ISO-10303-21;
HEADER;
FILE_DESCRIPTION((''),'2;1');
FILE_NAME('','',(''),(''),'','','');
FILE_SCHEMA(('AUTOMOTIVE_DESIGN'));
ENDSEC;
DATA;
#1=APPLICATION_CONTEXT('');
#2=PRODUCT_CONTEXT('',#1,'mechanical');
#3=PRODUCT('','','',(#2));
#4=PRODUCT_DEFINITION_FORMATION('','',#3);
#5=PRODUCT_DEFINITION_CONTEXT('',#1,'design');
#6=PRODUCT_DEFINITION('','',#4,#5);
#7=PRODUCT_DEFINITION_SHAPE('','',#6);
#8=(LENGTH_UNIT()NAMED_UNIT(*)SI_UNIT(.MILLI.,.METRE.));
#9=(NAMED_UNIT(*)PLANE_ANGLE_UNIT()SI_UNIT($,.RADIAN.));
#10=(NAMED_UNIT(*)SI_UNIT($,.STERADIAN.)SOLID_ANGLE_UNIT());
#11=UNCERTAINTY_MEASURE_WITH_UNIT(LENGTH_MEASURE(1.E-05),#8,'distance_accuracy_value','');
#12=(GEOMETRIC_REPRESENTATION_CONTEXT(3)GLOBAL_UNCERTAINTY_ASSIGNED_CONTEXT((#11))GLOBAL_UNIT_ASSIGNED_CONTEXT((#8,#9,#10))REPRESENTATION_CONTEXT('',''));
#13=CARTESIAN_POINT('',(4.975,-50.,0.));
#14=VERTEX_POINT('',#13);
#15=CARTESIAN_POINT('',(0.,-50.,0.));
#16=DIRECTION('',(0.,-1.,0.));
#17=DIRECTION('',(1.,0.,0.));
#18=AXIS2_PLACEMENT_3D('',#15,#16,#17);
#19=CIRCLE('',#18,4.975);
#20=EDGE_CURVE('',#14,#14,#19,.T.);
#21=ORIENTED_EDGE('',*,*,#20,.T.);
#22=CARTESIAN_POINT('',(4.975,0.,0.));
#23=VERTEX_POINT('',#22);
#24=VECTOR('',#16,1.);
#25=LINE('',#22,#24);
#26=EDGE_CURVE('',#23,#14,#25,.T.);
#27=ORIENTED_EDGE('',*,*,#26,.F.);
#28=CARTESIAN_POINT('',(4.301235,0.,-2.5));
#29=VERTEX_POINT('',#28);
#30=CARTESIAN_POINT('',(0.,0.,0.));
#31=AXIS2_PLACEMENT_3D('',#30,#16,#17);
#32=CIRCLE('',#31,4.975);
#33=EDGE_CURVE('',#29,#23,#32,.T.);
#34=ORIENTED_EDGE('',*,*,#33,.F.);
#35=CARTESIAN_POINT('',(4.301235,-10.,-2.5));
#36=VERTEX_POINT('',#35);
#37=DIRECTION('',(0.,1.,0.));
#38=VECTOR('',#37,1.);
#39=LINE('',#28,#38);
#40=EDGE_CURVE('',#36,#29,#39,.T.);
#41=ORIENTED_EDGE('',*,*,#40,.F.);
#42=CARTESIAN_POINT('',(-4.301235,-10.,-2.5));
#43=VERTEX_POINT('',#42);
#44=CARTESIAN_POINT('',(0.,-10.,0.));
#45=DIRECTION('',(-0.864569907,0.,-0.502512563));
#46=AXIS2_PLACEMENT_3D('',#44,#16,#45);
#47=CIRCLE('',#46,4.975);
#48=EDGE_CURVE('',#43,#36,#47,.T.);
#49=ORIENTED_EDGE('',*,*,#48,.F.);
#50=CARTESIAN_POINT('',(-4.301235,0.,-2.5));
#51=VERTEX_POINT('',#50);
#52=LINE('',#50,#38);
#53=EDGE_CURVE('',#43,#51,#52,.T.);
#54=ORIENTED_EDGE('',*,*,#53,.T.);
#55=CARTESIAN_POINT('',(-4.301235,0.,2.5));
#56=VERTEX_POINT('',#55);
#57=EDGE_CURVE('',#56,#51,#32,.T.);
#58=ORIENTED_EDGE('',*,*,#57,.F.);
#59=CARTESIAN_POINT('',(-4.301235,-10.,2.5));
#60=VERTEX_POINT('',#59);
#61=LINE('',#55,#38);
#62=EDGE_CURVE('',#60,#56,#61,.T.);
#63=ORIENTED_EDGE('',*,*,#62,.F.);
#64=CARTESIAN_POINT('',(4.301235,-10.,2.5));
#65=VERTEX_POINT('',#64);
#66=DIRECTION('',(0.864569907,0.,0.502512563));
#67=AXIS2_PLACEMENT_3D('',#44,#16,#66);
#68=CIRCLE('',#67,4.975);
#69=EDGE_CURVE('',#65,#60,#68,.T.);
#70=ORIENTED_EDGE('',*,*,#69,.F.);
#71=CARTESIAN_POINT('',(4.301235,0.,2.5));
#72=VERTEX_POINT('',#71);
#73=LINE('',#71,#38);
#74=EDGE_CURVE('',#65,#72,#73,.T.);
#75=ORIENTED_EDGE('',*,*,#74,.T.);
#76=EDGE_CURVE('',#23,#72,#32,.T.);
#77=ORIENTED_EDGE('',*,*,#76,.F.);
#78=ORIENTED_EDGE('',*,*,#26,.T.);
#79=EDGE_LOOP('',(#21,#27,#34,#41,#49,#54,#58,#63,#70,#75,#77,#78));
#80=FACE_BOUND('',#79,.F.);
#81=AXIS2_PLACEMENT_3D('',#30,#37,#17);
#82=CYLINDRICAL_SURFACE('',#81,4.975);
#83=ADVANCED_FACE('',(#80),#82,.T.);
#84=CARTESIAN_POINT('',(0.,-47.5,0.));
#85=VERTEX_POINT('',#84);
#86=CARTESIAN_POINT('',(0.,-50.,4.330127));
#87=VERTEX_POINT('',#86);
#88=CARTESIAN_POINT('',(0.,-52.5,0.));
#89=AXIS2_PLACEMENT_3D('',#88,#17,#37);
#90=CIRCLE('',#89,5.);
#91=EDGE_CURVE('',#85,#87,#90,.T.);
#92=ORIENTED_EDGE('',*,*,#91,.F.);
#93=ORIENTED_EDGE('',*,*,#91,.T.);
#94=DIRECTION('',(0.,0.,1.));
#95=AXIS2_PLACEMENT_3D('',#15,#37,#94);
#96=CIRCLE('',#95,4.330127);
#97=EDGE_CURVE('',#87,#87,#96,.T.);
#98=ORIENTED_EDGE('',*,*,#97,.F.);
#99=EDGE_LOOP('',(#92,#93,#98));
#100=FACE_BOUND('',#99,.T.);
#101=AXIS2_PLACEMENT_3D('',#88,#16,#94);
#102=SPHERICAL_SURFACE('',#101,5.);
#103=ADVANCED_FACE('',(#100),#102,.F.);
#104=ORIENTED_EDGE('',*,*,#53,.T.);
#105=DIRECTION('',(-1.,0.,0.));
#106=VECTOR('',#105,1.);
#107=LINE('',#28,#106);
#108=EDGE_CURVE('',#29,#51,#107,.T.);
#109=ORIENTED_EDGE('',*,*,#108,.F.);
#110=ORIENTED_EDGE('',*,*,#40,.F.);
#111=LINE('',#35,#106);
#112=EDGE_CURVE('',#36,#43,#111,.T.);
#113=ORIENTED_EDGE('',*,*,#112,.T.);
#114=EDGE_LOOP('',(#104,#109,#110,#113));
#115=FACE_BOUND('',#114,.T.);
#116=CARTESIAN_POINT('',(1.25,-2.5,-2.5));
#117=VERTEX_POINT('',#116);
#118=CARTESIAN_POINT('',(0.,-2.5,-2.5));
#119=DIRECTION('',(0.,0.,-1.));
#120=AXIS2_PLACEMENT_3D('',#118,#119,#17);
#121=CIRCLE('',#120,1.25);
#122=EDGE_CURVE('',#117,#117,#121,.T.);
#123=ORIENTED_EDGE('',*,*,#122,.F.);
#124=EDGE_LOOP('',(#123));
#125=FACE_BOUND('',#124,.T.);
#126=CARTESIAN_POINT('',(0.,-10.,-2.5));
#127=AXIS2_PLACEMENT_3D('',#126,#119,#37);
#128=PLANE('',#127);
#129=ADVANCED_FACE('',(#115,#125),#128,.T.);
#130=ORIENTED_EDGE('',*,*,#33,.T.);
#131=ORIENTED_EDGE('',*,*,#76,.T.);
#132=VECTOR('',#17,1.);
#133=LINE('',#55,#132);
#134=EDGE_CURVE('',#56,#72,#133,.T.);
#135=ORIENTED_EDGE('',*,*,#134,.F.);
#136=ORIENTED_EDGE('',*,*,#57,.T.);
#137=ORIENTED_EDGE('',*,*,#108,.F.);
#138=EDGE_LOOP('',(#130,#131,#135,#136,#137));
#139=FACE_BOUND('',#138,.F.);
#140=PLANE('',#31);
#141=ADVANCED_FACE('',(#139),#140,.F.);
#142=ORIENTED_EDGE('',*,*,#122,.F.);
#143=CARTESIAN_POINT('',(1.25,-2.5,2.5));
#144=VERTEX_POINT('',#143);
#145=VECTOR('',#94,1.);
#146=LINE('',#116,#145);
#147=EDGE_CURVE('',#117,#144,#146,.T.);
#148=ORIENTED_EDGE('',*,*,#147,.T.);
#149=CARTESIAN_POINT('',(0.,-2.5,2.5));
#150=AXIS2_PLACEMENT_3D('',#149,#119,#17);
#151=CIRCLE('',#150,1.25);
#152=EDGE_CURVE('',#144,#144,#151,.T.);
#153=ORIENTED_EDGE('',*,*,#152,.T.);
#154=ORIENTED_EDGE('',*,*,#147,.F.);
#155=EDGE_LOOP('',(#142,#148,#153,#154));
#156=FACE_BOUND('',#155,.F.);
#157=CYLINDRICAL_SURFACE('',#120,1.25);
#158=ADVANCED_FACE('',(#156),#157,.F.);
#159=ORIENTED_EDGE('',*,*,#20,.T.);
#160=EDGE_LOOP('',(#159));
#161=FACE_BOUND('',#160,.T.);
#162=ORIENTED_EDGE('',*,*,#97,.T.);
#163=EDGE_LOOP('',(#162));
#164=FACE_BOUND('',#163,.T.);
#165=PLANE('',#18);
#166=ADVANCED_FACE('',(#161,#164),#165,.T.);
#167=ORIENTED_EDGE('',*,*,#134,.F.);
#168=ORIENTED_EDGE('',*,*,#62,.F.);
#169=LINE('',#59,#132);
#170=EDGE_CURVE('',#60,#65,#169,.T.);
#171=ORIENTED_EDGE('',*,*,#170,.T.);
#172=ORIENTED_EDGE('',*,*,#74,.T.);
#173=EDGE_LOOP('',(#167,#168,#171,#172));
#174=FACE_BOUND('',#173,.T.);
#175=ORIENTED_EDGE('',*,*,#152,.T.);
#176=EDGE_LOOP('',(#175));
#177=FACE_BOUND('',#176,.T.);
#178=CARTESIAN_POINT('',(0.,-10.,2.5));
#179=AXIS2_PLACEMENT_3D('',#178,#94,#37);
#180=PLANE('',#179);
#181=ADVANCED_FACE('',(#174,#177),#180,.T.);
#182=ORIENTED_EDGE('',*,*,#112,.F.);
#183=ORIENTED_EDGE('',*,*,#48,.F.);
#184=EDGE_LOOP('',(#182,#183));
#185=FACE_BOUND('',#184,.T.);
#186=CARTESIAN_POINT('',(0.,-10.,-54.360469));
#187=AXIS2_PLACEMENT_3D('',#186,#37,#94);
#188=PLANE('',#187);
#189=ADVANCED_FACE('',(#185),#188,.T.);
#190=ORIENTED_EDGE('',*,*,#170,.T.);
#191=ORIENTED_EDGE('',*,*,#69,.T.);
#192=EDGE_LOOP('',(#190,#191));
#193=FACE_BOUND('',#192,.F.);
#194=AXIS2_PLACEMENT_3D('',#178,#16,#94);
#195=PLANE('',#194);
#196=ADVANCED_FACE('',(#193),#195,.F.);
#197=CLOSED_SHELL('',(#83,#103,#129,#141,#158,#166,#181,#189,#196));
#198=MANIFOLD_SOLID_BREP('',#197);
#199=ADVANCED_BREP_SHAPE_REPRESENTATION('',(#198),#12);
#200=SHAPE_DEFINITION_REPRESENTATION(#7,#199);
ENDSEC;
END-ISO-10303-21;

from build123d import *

# Parameters (mm, degrees)
F0_R          = 4.975
F1_DEPTH      = 50
F4_W          = 36.9355937797
F4_H          = 30.9394803881
F4_W_2        = 36.9616359944
F4_H_2        = 51.8604685604
F5_DEPTH      = 4.976
F5_DEPTH_BACK = 4.976
F6_R          = 1.25
F7_DEPTH      = 25


with BuildPart() as f1:
    # F0 (on Front) → F1 (new body)
    with BuildSketch(Plane.XZ):
        Circle(F0_R)
    extrude(amount=F1_DEPTH)

    # F2 (on Right) → F3 (revolve, cut)
    with BuildSketch(Plane.YZ):
        with BuildLine():
            Line((-52.5, 0), (-47.5, 0))
            ThreePointArc((-47.5, 0), (-48.1698729811, 2.5), (-50, 4.3301270189))
            Line((-50, 4.3301270189), (-52.5, 0))
        make_face()
    revolve(axis=Axis((0, -50, 0), (0, 1, 0)), mode=Mode.SUBTRACT)

    # F4 (on Right) → F5 (cut, two sides)
    with BuildSketch(Plane.YZ) as f5_sk:
        with Locations((8.4677968899, 17.9697401941)):
            Rectangle(F4_W, F4_H)
        with Locations((8.4808179972, -28.4302342802)):
            Rectangle(F4_W_2, F4_H_2)
    extrude(amount=-F5_DEPTH, mode=Mode.SUBTRACT)
    extrude(f5_sk.sketch, amount=F5_DEPTH_BACK, mode=Mode.SUBTRACT)

    # F6 (on face) → F7 (cut)
    with BuildSketch(Plane(origin=(0, 0, -2.5), x_dir=(1, 0, 0), z_dir=(0, 0, -1))):
        with Locations((0, 2.5)):
            Circle(F6_R)
    extrude(amount=-F7_DEPTH, mode=Mode.SUBTRACT)


solid = f1.part
